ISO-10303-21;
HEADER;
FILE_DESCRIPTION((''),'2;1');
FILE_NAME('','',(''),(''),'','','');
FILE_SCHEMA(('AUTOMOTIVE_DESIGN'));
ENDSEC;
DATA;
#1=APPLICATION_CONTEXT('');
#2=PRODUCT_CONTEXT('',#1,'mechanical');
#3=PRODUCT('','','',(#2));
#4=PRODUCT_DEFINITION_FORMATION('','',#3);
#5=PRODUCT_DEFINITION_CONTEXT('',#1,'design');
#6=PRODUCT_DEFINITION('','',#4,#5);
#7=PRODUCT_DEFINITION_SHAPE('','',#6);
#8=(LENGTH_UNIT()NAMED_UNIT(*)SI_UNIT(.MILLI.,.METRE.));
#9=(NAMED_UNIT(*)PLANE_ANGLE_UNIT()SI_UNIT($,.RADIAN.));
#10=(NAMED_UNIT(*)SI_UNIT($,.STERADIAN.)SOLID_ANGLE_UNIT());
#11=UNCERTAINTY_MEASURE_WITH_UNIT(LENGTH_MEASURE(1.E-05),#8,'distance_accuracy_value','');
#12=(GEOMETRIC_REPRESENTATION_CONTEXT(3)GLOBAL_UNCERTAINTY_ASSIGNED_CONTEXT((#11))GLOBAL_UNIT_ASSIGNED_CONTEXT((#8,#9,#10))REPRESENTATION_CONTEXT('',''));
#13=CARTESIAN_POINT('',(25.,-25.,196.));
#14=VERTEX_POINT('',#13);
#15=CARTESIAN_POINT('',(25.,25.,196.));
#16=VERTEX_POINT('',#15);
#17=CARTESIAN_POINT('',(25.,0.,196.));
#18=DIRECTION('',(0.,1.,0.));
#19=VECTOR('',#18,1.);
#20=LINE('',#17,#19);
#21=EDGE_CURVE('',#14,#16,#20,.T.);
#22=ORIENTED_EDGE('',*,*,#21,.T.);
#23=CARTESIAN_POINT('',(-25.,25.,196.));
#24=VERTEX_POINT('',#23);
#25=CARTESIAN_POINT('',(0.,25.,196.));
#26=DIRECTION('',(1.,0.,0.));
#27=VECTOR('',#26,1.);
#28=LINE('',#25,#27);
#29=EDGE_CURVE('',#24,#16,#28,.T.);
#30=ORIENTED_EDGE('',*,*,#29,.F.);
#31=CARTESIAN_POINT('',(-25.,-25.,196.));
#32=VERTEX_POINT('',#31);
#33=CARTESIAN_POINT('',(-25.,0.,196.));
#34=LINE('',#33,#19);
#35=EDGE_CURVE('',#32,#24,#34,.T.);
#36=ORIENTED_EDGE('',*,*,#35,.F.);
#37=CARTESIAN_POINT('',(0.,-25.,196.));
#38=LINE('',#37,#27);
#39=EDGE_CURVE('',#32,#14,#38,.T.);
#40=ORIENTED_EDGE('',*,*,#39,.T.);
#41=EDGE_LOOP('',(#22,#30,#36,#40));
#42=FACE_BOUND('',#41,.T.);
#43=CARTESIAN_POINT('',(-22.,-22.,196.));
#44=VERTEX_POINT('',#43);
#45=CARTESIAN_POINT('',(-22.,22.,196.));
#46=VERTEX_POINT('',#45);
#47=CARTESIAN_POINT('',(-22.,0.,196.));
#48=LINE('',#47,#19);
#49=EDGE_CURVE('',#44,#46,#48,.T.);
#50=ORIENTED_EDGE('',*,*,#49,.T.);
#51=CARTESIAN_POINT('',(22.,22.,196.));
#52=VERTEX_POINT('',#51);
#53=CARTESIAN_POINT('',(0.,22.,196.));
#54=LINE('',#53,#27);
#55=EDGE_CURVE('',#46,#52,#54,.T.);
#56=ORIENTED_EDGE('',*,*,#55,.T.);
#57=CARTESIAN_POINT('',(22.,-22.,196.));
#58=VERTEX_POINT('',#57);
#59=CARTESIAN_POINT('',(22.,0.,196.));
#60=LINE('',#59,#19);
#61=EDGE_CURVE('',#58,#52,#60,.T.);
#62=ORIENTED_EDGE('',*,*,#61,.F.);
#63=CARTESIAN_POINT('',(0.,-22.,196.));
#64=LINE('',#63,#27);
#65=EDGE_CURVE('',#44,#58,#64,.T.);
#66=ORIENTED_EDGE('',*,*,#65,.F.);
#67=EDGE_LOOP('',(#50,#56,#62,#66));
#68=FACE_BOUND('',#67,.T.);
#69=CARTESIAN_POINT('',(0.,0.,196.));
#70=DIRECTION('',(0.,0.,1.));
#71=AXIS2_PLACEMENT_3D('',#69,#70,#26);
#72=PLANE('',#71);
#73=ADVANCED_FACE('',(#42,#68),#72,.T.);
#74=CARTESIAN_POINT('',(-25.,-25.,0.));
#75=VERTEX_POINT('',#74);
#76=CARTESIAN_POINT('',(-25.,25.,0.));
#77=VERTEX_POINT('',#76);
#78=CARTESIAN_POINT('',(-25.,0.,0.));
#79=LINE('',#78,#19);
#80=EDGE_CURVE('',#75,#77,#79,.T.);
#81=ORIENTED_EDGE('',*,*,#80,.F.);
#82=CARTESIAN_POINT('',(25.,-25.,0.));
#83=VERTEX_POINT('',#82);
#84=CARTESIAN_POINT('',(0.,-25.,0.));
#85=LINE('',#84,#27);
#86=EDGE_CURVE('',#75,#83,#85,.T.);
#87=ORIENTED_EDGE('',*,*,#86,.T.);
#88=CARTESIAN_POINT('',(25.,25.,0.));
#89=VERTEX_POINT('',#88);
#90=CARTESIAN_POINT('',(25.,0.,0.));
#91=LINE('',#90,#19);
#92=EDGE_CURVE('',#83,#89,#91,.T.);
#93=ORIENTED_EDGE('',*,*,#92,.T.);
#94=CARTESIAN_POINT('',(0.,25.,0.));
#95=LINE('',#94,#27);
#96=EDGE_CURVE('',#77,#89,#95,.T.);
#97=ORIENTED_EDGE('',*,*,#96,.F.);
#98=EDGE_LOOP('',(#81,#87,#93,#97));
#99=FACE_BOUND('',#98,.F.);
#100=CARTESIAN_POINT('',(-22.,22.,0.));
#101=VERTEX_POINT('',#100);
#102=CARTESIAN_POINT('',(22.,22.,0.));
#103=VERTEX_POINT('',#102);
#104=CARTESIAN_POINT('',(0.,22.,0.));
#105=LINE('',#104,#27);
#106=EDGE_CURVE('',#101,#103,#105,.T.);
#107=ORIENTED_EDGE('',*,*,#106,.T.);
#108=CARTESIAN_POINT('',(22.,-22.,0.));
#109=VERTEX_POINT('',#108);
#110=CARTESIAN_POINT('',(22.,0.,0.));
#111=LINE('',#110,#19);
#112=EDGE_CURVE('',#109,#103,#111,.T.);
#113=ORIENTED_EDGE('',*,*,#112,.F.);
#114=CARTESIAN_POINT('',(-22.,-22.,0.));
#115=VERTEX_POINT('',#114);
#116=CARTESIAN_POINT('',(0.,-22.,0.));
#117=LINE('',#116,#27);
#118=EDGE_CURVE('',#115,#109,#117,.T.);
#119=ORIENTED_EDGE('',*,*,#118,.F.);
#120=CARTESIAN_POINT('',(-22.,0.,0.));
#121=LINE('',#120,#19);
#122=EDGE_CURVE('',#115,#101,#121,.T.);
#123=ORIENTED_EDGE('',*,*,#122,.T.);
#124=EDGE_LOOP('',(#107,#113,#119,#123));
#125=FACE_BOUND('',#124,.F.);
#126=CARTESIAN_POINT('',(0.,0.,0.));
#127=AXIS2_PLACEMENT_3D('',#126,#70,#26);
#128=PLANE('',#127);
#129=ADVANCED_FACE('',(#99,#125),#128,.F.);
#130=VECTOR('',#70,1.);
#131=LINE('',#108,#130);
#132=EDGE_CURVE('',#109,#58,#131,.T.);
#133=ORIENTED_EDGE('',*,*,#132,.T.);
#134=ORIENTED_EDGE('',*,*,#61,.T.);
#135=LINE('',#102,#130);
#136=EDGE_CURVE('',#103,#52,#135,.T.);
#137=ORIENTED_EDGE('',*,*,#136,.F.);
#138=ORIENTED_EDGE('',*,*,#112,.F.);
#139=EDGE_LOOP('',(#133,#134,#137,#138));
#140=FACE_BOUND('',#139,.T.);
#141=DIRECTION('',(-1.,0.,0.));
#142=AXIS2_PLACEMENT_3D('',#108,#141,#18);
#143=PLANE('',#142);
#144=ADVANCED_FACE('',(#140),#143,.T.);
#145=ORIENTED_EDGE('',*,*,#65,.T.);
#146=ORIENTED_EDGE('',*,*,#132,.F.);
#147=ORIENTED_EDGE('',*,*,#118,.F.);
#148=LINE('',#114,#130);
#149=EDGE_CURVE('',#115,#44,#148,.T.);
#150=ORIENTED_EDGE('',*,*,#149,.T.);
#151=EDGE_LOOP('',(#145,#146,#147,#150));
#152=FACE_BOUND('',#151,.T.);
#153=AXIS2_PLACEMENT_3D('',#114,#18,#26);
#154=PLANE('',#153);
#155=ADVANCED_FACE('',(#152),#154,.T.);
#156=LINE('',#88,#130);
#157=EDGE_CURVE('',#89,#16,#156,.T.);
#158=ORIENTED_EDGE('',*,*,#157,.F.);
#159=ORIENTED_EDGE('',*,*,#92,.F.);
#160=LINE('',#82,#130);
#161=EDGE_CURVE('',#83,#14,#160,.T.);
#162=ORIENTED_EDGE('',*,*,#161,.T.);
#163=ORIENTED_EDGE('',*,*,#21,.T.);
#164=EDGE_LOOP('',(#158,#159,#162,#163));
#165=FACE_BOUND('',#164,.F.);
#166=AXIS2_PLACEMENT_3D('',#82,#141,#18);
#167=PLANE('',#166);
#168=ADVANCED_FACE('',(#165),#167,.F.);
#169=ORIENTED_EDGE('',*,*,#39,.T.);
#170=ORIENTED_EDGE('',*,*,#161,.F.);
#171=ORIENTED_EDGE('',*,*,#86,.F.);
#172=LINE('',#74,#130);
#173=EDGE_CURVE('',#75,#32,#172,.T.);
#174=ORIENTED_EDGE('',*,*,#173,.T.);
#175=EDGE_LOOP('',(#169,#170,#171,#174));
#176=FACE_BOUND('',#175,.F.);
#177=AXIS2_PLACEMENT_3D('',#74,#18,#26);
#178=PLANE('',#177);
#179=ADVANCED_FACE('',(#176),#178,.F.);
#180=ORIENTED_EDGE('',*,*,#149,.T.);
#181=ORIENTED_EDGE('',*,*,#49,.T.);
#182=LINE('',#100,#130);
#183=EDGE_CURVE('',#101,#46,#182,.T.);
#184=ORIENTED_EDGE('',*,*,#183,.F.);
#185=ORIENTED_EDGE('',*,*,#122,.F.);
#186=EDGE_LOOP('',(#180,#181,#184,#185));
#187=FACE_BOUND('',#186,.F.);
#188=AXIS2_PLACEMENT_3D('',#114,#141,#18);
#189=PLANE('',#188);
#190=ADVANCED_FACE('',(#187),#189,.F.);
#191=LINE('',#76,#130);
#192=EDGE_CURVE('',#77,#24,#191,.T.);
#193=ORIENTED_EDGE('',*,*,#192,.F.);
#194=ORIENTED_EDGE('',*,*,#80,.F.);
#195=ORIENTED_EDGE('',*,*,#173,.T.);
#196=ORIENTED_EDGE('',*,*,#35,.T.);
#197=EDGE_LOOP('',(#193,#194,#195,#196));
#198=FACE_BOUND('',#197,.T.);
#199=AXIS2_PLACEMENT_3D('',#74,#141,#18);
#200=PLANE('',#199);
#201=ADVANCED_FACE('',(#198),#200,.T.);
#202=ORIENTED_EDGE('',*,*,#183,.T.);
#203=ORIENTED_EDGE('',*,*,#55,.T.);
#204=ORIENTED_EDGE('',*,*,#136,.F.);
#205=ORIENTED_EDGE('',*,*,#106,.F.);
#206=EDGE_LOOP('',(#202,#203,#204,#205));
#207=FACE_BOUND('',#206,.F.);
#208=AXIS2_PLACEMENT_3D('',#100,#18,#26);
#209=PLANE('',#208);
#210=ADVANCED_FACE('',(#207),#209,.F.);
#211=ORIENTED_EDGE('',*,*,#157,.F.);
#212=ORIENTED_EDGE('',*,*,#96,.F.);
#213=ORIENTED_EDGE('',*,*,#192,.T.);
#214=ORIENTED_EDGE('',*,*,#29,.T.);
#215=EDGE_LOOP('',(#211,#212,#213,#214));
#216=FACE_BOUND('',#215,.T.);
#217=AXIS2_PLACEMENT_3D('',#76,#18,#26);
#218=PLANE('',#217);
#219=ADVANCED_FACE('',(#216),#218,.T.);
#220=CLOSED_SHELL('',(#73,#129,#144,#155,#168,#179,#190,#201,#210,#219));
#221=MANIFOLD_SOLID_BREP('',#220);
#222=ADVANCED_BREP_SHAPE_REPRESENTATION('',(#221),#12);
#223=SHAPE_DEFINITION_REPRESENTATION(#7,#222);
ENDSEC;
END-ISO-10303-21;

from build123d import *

# Parameters (mm, degrees)
F0_W     = 50
F0_H     = 50
F0_W_2   = 44
F0_H_2   = 44
F2_DEPTH = 196


with BuildPart() as f2:
    # F0 (on Top) → F2 (new body, through all)
    with BuildSketch(Plane.XY):
        Rectangle(F0_W, F0_H)
        Rectangle(F0_W_2, F0_H_2, mode=Mode.SUBTRACT)
    extrude(amount=F2_DEPTH)


solid = f2.part
